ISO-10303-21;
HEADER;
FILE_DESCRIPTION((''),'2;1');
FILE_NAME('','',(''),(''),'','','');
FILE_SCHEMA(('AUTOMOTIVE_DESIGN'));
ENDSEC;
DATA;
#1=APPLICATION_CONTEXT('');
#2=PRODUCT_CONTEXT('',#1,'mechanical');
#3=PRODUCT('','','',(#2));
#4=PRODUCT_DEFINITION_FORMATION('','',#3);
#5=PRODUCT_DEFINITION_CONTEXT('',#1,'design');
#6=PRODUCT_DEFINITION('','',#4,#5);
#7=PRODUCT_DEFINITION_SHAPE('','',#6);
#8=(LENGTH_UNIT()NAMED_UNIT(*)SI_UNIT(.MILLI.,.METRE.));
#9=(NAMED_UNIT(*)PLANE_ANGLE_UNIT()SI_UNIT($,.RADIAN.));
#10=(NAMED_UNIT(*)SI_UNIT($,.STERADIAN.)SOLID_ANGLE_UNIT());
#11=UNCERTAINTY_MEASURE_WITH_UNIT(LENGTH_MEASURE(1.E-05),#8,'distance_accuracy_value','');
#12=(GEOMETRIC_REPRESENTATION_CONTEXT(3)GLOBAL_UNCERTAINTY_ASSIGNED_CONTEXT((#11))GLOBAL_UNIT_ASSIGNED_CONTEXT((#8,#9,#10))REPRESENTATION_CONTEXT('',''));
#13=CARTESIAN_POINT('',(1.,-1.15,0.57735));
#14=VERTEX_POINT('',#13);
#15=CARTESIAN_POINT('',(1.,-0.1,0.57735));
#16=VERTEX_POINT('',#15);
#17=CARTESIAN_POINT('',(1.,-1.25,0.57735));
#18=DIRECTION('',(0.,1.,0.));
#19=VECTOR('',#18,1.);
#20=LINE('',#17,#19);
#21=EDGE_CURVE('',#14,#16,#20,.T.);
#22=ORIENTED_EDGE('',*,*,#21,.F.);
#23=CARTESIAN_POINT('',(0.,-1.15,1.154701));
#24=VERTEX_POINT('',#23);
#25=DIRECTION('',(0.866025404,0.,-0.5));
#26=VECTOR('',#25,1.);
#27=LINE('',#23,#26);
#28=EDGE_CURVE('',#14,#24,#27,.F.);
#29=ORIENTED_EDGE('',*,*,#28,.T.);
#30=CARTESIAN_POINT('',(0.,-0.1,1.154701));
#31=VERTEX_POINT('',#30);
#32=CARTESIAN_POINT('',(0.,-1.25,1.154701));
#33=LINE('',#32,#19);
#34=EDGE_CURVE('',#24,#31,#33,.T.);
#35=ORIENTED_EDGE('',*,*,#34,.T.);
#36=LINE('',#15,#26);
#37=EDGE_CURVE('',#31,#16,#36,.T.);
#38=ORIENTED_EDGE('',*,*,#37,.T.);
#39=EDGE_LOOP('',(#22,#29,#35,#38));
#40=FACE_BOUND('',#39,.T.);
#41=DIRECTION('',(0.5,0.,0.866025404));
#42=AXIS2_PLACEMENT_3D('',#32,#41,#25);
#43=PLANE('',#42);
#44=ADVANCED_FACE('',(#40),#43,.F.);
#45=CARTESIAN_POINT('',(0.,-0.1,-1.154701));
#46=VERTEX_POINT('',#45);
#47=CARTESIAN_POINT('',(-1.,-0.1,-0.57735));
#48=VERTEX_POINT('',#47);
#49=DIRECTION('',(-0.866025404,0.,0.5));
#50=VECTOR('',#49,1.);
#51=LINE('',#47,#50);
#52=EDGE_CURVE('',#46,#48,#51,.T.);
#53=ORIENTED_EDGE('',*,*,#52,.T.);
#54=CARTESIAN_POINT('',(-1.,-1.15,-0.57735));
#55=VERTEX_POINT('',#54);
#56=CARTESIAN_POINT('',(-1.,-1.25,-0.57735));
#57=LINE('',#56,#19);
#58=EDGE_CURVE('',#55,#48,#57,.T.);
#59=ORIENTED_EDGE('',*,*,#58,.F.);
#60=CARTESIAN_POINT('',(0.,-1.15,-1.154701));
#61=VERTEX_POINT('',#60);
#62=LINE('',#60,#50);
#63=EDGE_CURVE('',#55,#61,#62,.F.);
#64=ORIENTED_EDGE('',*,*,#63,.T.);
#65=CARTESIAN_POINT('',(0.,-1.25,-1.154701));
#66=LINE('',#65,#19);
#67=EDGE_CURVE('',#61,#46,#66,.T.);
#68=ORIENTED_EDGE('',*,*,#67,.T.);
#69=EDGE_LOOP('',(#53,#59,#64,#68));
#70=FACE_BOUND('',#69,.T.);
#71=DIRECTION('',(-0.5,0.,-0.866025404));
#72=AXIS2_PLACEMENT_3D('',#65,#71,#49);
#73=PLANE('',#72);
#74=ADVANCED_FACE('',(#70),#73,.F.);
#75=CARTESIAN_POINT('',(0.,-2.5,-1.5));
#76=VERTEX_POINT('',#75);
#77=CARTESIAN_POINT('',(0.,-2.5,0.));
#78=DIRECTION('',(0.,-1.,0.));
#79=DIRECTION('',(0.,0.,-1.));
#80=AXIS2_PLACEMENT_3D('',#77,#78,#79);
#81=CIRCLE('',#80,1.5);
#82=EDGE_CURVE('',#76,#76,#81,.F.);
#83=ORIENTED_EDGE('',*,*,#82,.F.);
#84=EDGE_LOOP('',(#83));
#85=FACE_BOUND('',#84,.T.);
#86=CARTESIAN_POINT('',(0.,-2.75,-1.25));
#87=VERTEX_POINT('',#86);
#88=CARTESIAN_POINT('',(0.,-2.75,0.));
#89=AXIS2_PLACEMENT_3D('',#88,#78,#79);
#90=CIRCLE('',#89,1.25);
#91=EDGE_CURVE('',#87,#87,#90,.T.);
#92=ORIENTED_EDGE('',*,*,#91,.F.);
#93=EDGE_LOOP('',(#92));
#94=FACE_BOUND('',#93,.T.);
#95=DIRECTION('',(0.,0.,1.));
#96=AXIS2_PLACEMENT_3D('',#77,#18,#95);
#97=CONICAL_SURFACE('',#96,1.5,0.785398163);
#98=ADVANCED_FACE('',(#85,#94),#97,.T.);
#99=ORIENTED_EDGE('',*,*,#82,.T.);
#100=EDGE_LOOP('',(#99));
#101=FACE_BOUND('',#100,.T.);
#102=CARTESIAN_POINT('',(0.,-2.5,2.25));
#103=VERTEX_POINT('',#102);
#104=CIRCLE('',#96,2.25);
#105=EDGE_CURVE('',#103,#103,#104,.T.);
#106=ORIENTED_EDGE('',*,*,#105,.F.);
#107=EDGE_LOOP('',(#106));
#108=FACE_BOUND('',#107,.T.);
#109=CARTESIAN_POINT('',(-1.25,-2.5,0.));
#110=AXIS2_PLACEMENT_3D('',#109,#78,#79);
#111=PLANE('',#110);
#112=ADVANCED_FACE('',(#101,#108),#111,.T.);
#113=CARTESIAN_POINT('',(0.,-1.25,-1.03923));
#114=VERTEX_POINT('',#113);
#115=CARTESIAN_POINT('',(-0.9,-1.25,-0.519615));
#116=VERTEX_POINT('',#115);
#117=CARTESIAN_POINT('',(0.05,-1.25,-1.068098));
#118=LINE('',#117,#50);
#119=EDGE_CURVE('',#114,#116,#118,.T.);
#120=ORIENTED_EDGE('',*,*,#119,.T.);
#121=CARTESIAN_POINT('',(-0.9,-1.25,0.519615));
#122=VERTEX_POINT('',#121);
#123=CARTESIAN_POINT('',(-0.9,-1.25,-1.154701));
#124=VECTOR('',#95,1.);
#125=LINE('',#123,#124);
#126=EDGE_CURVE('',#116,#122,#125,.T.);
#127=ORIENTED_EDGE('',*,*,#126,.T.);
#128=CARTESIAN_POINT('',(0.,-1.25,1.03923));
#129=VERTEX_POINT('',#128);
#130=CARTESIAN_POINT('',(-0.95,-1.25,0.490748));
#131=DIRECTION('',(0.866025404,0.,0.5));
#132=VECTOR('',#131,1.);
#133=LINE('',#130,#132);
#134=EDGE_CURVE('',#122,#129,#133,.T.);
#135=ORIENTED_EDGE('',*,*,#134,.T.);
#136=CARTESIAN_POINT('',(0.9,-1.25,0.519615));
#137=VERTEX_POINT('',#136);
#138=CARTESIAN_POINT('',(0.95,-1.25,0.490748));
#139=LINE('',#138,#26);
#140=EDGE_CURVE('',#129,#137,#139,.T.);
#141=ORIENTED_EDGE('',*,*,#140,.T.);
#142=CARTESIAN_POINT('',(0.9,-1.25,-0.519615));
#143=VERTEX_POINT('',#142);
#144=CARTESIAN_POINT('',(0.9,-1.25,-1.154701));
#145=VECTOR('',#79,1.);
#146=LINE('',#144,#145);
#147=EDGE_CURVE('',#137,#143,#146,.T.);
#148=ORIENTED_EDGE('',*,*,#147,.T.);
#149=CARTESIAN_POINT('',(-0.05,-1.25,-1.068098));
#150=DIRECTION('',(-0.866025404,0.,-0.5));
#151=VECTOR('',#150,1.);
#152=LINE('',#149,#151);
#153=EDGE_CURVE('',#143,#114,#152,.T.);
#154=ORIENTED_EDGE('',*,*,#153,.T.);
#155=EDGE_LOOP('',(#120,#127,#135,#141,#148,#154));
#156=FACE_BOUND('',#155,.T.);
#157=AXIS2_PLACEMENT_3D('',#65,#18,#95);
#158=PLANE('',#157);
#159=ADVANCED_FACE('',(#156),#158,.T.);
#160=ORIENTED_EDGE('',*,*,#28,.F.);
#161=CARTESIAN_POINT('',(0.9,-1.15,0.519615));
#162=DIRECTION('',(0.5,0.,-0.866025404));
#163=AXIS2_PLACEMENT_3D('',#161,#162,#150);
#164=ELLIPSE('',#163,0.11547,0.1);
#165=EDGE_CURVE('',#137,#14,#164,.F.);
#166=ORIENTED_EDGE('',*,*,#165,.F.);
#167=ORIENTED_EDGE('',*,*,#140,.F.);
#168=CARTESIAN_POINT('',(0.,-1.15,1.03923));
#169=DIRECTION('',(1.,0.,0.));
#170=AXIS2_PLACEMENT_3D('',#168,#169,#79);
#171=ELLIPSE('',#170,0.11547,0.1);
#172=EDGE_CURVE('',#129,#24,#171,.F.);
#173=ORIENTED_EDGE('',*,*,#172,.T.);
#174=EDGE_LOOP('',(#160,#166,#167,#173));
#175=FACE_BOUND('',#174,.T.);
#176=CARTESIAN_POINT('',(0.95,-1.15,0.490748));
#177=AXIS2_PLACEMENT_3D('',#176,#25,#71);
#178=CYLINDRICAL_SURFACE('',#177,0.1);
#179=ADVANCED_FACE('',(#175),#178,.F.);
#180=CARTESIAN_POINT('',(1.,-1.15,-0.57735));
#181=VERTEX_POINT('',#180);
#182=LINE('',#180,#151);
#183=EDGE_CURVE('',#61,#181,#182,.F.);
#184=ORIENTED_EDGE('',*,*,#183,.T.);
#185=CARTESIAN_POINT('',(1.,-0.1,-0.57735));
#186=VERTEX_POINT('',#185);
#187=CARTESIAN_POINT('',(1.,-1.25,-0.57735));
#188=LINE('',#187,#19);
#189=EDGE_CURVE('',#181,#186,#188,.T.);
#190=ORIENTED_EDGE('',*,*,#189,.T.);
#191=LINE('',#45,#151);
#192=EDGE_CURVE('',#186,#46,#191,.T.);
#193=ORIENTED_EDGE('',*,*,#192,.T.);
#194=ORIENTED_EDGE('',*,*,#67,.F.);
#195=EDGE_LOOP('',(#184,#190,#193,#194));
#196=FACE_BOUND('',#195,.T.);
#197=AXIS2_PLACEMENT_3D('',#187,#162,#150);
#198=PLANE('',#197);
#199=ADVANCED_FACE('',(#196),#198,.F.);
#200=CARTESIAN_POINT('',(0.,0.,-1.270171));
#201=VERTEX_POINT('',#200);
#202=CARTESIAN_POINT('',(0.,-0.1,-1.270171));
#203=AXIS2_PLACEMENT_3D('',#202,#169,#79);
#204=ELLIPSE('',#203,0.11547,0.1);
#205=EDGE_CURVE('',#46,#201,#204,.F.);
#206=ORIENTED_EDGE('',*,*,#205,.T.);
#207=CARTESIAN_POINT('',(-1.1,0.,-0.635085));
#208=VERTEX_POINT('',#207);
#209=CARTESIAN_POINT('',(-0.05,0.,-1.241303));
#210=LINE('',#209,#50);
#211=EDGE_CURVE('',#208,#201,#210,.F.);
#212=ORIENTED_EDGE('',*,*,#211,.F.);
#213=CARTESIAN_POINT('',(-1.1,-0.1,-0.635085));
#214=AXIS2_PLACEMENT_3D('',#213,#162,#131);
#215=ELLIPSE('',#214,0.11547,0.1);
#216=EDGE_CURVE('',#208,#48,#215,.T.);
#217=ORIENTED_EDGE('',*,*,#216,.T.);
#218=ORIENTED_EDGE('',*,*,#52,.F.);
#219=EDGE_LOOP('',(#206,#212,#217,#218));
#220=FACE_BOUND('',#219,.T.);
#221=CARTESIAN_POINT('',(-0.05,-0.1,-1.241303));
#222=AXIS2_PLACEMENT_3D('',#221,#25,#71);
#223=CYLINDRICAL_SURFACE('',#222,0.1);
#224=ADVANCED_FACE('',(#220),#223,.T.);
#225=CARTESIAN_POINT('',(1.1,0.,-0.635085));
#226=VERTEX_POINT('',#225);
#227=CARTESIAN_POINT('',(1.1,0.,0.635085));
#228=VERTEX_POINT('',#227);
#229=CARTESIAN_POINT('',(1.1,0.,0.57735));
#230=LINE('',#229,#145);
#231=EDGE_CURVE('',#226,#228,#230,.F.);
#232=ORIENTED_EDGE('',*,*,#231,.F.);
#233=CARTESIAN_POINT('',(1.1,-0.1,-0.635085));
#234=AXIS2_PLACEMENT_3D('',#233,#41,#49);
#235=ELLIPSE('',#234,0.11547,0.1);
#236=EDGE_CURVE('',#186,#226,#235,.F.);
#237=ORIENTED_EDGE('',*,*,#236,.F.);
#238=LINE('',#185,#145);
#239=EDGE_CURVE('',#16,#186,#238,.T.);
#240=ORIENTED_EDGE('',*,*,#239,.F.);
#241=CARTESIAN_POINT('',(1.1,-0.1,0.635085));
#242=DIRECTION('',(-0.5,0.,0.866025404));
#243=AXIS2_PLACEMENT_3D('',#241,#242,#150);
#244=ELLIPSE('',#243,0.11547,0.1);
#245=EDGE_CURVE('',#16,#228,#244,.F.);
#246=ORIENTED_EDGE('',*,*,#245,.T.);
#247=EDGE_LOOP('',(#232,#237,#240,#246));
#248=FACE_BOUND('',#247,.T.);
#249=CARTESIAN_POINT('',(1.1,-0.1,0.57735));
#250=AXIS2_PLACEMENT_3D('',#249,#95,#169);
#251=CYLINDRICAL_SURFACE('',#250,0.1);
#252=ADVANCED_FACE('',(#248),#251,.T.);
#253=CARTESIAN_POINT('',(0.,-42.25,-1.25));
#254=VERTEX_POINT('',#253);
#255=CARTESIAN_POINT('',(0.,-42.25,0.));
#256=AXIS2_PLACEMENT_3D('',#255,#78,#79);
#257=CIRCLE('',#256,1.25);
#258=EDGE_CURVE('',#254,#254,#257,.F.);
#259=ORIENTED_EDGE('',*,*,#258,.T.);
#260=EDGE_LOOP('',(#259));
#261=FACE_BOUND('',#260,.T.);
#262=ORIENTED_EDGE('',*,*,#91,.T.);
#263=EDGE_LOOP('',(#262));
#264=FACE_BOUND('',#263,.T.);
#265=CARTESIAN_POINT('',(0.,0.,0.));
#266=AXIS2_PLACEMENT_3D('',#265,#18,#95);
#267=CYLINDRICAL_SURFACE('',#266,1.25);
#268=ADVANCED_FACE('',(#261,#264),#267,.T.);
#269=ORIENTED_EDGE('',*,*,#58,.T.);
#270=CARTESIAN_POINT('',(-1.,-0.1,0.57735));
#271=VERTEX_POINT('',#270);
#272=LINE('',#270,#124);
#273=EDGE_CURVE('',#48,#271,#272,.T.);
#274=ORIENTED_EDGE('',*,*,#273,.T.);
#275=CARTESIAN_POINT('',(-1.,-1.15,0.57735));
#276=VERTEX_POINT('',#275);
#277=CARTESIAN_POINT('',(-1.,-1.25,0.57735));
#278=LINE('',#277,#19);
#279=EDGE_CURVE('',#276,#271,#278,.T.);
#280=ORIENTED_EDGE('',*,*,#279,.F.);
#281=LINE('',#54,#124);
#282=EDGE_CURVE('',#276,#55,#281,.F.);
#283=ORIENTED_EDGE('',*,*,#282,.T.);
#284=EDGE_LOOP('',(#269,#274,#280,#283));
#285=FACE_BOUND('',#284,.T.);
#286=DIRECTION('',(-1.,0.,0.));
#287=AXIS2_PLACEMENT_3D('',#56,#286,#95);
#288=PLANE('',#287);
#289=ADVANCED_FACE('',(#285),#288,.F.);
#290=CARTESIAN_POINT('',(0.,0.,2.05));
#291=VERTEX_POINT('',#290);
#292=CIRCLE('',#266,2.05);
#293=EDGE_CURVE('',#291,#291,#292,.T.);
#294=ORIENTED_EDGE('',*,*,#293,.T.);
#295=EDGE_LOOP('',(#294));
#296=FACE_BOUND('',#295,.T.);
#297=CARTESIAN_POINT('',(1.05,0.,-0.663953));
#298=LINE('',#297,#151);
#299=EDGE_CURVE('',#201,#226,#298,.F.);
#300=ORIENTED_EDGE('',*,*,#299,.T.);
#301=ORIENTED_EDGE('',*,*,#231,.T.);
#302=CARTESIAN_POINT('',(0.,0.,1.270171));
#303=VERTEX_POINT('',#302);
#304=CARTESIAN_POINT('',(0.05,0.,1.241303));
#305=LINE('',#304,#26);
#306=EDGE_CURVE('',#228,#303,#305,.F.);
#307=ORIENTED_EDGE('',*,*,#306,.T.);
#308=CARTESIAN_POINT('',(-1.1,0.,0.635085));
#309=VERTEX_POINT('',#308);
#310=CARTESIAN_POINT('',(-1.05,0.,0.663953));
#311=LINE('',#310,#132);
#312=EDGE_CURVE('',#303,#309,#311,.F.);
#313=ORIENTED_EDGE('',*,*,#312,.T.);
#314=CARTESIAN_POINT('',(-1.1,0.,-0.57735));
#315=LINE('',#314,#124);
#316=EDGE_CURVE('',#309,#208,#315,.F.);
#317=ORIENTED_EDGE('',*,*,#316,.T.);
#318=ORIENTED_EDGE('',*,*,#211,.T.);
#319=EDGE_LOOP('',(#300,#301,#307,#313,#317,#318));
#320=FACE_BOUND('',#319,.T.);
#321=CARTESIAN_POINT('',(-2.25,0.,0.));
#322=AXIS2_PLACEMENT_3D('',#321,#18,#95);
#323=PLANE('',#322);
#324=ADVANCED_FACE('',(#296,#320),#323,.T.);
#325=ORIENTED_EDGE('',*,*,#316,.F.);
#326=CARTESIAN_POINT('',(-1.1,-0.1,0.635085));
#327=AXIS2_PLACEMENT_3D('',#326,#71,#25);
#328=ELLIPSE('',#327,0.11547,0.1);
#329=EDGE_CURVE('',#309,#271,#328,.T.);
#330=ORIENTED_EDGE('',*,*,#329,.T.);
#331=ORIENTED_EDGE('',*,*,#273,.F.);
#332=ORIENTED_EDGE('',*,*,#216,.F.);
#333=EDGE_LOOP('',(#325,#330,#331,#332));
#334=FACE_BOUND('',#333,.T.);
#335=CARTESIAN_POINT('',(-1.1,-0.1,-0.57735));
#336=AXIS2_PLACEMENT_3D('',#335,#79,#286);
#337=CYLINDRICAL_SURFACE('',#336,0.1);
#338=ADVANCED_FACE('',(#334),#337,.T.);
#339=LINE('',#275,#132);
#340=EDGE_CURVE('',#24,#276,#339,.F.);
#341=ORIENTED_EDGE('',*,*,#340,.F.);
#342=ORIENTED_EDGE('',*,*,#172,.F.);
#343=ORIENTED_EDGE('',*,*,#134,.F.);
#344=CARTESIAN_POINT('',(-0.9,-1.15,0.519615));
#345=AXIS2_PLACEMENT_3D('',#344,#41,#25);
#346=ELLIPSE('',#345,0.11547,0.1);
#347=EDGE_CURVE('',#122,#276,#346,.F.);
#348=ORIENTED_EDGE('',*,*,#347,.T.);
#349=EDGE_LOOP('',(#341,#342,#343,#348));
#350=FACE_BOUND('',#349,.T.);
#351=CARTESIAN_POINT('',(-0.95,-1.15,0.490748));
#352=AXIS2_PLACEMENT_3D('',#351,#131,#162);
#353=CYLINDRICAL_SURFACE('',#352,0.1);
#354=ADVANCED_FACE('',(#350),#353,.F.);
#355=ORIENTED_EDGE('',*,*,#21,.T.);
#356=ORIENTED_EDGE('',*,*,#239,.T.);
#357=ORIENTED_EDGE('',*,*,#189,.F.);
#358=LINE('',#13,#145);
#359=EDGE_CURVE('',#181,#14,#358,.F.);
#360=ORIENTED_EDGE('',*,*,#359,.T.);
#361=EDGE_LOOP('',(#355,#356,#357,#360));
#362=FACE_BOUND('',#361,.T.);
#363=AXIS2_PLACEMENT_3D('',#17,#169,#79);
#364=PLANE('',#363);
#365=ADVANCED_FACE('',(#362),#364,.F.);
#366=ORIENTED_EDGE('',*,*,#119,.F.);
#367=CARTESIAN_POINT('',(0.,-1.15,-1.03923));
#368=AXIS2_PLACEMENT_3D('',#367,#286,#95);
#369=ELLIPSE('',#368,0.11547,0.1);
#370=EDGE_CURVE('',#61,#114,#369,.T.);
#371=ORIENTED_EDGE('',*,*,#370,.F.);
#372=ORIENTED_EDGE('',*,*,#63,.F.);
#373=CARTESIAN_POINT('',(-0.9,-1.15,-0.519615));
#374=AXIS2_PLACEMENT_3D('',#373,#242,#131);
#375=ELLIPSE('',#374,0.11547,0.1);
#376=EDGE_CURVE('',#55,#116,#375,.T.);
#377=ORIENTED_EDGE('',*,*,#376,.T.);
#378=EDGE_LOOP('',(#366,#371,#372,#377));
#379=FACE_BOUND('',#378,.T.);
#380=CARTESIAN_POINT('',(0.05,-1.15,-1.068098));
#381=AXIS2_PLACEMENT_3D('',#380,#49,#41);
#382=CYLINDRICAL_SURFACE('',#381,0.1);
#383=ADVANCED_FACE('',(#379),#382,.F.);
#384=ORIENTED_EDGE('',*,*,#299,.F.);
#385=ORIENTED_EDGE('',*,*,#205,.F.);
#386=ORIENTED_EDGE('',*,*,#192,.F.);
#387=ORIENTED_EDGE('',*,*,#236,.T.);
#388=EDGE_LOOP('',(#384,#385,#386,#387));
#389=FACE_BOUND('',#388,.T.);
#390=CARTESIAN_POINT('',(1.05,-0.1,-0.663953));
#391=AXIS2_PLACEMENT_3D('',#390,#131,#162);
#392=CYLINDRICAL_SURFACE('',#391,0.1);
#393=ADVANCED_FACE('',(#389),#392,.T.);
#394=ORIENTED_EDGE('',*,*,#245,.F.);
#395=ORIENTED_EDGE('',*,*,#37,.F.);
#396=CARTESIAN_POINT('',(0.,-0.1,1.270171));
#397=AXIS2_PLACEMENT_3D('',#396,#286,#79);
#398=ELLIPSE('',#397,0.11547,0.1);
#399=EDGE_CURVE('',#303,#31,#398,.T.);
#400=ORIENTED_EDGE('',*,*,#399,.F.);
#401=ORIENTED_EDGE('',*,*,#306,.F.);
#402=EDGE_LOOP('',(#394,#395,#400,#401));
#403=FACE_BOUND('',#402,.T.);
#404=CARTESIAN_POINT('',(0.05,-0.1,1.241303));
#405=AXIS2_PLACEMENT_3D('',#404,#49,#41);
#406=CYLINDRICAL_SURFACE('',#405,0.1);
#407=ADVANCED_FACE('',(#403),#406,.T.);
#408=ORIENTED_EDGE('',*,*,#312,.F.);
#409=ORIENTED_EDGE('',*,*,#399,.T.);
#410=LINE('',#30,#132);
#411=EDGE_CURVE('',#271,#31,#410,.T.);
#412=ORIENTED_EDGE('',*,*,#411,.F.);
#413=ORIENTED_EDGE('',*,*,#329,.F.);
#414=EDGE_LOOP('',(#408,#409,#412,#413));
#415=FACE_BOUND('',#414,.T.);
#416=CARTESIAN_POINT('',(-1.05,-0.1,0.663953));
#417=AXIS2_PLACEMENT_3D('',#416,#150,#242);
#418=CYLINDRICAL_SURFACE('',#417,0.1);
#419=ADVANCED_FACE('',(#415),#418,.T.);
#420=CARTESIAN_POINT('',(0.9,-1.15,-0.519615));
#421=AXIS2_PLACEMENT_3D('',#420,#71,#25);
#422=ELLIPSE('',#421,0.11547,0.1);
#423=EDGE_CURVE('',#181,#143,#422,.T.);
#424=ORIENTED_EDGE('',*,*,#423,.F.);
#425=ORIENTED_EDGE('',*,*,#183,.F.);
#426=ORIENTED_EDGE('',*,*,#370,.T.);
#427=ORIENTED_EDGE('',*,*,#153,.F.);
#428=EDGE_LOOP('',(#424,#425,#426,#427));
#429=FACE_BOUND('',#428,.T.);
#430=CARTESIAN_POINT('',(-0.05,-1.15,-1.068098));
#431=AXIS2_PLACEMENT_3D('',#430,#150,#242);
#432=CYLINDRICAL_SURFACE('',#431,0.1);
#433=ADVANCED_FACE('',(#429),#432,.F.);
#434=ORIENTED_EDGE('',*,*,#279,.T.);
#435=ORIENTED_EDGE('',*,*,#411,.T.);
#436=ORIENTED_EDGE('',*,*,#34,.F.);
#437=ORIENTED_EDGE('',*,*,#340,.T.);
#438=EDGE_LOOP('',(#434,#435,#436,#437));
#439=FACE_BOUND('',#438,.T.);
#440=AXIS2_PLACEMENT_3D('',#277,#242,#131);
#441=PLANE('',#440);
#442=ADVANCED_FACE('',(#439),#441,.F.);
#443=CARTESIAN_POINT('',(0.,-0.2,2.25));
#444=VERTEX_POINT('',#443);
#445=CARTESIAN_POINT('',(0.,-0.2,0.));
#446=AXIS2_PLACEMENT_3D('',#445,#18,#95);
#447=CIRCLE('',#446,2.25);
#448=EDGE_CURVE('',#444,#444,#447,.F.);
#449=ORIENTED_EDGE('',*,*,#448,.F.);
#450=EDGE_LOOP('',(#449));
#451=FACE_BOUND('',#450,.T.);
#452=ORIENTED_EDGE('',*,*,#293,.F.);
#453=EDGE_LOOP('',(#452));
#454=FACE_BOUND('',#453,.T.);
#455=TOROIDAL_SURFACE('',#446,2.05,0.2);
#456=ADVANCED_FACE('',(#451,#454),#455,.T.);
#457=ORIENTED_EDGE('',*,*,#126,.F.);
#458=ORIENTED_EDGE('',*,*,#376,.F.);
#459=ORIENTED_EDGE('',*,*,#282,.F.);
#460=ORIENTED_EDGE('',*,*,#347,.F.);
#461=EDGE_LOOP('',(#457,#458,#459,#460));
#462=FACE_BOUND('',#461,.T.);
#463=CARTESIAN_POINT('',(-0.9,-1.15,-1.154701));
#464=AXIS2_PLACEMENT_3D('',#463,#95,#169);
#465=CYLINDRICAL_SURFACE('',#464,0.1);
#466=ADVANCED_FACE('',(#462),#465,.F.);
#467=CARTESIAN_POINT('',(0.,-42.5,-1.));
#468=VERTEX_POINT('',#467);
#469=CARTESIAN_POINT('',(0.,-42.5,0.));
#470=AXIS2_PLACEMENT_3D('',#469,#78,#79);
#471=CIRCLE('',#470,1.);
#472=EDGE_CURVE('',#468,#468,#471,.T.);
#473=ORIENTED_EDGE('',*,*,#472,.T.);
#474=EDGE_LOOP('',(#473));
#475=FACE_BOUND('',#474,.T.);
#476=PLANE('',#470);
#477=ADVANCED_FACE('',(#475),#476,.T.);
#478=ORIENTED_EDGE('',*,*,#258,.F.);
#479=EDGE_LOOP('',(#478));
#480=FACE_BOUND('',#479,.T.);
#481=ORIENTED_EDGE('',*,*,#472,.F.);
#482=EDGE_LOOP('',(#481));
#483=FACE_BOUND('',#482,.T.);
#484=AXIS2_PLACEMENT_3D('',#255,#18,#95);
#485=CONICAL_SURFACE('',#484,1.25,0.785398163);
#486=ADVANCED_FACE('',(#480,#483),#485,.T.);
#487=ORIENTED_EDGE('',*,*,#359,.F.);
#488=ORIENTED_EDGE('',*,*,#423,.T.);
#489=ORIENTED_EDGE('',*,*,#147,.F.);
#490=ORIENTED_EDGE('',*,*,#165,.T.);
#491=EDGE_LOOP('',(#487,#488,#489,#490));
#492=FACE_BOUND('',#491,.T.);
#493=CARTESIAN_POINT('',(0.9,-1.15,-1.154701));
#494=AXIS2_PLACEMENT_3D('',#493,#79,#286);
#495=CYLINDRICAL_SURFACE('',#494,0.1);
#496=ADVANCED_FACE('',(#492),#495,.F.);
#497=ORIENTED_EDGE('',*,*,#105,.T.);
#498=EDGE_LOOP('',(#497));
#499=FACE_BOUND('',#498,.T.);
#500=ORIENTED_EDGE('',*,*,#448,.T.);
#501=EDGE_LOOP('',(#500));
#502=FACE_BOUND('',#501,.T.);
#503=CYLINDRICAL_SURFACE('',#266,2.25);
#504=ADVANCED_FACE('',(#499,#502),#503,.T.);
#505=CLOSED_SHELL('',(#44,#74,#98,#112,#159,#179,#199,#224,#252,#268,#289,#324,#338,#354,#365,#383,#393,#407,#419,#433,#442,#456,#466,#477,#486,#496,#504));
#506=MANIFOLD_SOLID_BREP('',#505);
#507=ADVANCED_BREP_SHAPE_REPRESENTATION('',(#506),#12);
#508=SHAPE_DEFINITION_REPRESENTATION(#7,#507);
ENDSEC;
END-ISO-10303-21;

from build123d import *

# Parameters (mm, degrees)
CHAMFER1_SIZE      = 0.25
FILLET1_R          = 0.2
CUT_EXTRUDE1_DEPTH = 1.25
FILLET2_R          = 0.1


with BuildPart() as part:
    # Sketch1 → Revolve1 (revolve)
    with BuildSketch(Plane.XY, mode=Mode.PRIVATE) as revolve1_sk:
        Polygon((0, -42.5), (-1.25, -42.5), (-1.25, -2.5), (-2.25, -2.5), (-2.25, 0), (0, 0), align=None)
    revolve(revolve1_sk.sketch.rotate(Axis((0, 0, 0), (0, -1, 0)), 270), axis=Axis((0, 0, 0), (0, -1, 0)))

    # Chamfer1
    chamfer1_edges = [part.edges().sort_by_distance(p)[0] for p in [
        (0, -2.5, -1.25),
        (0, -42.5, -1.25),
    ]]
    chamfer(chamfer1_edges, length=CHAMFER1_SIZE)

    # Fillet1
    fillet1_edges = [part.edges().sort_by_distance(p)[0] for p in [
        (0, 0, -2.25),
    ]]
    fillet(fillet1_edges, radius=FILLET1_R)

    # Sketch2 → Cut-Extrude1 (cut)
    with BuildSketch(Plane(origin=(0, 0, 0), x_dir=(1, 0, 0), z_dir=(0, 1, 0))):
        Polygon((0, 1.154700538), (-1, 0.577350269), (-1, -0.577350269), (0, -1.154700538), (1, -0.577350269), (1, 0.577350269), align=None)
    extrude(amount=-CUT_EXTRUDE1_DEPTH, mode=Mode.SUBTRACT)

    # Fillet2
    fillet2_edges = [part.edges().sort_by_distance(p)[0] for p in [
        (0.5, -1.25, -0.866025404),
        (1, -1.25, 0),
        (0.5, -1.25, 0.866025404),
        (-0.5, -1.25, 0.866025404),
        (-1, -1.25, 0),
        (-0.5, -1.25, -0.866025404),
        (0.4999999999999987, 0, -0.8660254037844397),
        (-0.5000000000000006, 0, -0.8660254037844395),
        (-1, 0, 0),
        (-0.5000000000000007, 0, 0.8660254037844379),
        (0.4999999999999988, 0, 0.8660254037844382),
        (1, 0, 0),
    ]]
    fillet(fillet2_edges, radius=FILLET2_R)


solid = part.part
